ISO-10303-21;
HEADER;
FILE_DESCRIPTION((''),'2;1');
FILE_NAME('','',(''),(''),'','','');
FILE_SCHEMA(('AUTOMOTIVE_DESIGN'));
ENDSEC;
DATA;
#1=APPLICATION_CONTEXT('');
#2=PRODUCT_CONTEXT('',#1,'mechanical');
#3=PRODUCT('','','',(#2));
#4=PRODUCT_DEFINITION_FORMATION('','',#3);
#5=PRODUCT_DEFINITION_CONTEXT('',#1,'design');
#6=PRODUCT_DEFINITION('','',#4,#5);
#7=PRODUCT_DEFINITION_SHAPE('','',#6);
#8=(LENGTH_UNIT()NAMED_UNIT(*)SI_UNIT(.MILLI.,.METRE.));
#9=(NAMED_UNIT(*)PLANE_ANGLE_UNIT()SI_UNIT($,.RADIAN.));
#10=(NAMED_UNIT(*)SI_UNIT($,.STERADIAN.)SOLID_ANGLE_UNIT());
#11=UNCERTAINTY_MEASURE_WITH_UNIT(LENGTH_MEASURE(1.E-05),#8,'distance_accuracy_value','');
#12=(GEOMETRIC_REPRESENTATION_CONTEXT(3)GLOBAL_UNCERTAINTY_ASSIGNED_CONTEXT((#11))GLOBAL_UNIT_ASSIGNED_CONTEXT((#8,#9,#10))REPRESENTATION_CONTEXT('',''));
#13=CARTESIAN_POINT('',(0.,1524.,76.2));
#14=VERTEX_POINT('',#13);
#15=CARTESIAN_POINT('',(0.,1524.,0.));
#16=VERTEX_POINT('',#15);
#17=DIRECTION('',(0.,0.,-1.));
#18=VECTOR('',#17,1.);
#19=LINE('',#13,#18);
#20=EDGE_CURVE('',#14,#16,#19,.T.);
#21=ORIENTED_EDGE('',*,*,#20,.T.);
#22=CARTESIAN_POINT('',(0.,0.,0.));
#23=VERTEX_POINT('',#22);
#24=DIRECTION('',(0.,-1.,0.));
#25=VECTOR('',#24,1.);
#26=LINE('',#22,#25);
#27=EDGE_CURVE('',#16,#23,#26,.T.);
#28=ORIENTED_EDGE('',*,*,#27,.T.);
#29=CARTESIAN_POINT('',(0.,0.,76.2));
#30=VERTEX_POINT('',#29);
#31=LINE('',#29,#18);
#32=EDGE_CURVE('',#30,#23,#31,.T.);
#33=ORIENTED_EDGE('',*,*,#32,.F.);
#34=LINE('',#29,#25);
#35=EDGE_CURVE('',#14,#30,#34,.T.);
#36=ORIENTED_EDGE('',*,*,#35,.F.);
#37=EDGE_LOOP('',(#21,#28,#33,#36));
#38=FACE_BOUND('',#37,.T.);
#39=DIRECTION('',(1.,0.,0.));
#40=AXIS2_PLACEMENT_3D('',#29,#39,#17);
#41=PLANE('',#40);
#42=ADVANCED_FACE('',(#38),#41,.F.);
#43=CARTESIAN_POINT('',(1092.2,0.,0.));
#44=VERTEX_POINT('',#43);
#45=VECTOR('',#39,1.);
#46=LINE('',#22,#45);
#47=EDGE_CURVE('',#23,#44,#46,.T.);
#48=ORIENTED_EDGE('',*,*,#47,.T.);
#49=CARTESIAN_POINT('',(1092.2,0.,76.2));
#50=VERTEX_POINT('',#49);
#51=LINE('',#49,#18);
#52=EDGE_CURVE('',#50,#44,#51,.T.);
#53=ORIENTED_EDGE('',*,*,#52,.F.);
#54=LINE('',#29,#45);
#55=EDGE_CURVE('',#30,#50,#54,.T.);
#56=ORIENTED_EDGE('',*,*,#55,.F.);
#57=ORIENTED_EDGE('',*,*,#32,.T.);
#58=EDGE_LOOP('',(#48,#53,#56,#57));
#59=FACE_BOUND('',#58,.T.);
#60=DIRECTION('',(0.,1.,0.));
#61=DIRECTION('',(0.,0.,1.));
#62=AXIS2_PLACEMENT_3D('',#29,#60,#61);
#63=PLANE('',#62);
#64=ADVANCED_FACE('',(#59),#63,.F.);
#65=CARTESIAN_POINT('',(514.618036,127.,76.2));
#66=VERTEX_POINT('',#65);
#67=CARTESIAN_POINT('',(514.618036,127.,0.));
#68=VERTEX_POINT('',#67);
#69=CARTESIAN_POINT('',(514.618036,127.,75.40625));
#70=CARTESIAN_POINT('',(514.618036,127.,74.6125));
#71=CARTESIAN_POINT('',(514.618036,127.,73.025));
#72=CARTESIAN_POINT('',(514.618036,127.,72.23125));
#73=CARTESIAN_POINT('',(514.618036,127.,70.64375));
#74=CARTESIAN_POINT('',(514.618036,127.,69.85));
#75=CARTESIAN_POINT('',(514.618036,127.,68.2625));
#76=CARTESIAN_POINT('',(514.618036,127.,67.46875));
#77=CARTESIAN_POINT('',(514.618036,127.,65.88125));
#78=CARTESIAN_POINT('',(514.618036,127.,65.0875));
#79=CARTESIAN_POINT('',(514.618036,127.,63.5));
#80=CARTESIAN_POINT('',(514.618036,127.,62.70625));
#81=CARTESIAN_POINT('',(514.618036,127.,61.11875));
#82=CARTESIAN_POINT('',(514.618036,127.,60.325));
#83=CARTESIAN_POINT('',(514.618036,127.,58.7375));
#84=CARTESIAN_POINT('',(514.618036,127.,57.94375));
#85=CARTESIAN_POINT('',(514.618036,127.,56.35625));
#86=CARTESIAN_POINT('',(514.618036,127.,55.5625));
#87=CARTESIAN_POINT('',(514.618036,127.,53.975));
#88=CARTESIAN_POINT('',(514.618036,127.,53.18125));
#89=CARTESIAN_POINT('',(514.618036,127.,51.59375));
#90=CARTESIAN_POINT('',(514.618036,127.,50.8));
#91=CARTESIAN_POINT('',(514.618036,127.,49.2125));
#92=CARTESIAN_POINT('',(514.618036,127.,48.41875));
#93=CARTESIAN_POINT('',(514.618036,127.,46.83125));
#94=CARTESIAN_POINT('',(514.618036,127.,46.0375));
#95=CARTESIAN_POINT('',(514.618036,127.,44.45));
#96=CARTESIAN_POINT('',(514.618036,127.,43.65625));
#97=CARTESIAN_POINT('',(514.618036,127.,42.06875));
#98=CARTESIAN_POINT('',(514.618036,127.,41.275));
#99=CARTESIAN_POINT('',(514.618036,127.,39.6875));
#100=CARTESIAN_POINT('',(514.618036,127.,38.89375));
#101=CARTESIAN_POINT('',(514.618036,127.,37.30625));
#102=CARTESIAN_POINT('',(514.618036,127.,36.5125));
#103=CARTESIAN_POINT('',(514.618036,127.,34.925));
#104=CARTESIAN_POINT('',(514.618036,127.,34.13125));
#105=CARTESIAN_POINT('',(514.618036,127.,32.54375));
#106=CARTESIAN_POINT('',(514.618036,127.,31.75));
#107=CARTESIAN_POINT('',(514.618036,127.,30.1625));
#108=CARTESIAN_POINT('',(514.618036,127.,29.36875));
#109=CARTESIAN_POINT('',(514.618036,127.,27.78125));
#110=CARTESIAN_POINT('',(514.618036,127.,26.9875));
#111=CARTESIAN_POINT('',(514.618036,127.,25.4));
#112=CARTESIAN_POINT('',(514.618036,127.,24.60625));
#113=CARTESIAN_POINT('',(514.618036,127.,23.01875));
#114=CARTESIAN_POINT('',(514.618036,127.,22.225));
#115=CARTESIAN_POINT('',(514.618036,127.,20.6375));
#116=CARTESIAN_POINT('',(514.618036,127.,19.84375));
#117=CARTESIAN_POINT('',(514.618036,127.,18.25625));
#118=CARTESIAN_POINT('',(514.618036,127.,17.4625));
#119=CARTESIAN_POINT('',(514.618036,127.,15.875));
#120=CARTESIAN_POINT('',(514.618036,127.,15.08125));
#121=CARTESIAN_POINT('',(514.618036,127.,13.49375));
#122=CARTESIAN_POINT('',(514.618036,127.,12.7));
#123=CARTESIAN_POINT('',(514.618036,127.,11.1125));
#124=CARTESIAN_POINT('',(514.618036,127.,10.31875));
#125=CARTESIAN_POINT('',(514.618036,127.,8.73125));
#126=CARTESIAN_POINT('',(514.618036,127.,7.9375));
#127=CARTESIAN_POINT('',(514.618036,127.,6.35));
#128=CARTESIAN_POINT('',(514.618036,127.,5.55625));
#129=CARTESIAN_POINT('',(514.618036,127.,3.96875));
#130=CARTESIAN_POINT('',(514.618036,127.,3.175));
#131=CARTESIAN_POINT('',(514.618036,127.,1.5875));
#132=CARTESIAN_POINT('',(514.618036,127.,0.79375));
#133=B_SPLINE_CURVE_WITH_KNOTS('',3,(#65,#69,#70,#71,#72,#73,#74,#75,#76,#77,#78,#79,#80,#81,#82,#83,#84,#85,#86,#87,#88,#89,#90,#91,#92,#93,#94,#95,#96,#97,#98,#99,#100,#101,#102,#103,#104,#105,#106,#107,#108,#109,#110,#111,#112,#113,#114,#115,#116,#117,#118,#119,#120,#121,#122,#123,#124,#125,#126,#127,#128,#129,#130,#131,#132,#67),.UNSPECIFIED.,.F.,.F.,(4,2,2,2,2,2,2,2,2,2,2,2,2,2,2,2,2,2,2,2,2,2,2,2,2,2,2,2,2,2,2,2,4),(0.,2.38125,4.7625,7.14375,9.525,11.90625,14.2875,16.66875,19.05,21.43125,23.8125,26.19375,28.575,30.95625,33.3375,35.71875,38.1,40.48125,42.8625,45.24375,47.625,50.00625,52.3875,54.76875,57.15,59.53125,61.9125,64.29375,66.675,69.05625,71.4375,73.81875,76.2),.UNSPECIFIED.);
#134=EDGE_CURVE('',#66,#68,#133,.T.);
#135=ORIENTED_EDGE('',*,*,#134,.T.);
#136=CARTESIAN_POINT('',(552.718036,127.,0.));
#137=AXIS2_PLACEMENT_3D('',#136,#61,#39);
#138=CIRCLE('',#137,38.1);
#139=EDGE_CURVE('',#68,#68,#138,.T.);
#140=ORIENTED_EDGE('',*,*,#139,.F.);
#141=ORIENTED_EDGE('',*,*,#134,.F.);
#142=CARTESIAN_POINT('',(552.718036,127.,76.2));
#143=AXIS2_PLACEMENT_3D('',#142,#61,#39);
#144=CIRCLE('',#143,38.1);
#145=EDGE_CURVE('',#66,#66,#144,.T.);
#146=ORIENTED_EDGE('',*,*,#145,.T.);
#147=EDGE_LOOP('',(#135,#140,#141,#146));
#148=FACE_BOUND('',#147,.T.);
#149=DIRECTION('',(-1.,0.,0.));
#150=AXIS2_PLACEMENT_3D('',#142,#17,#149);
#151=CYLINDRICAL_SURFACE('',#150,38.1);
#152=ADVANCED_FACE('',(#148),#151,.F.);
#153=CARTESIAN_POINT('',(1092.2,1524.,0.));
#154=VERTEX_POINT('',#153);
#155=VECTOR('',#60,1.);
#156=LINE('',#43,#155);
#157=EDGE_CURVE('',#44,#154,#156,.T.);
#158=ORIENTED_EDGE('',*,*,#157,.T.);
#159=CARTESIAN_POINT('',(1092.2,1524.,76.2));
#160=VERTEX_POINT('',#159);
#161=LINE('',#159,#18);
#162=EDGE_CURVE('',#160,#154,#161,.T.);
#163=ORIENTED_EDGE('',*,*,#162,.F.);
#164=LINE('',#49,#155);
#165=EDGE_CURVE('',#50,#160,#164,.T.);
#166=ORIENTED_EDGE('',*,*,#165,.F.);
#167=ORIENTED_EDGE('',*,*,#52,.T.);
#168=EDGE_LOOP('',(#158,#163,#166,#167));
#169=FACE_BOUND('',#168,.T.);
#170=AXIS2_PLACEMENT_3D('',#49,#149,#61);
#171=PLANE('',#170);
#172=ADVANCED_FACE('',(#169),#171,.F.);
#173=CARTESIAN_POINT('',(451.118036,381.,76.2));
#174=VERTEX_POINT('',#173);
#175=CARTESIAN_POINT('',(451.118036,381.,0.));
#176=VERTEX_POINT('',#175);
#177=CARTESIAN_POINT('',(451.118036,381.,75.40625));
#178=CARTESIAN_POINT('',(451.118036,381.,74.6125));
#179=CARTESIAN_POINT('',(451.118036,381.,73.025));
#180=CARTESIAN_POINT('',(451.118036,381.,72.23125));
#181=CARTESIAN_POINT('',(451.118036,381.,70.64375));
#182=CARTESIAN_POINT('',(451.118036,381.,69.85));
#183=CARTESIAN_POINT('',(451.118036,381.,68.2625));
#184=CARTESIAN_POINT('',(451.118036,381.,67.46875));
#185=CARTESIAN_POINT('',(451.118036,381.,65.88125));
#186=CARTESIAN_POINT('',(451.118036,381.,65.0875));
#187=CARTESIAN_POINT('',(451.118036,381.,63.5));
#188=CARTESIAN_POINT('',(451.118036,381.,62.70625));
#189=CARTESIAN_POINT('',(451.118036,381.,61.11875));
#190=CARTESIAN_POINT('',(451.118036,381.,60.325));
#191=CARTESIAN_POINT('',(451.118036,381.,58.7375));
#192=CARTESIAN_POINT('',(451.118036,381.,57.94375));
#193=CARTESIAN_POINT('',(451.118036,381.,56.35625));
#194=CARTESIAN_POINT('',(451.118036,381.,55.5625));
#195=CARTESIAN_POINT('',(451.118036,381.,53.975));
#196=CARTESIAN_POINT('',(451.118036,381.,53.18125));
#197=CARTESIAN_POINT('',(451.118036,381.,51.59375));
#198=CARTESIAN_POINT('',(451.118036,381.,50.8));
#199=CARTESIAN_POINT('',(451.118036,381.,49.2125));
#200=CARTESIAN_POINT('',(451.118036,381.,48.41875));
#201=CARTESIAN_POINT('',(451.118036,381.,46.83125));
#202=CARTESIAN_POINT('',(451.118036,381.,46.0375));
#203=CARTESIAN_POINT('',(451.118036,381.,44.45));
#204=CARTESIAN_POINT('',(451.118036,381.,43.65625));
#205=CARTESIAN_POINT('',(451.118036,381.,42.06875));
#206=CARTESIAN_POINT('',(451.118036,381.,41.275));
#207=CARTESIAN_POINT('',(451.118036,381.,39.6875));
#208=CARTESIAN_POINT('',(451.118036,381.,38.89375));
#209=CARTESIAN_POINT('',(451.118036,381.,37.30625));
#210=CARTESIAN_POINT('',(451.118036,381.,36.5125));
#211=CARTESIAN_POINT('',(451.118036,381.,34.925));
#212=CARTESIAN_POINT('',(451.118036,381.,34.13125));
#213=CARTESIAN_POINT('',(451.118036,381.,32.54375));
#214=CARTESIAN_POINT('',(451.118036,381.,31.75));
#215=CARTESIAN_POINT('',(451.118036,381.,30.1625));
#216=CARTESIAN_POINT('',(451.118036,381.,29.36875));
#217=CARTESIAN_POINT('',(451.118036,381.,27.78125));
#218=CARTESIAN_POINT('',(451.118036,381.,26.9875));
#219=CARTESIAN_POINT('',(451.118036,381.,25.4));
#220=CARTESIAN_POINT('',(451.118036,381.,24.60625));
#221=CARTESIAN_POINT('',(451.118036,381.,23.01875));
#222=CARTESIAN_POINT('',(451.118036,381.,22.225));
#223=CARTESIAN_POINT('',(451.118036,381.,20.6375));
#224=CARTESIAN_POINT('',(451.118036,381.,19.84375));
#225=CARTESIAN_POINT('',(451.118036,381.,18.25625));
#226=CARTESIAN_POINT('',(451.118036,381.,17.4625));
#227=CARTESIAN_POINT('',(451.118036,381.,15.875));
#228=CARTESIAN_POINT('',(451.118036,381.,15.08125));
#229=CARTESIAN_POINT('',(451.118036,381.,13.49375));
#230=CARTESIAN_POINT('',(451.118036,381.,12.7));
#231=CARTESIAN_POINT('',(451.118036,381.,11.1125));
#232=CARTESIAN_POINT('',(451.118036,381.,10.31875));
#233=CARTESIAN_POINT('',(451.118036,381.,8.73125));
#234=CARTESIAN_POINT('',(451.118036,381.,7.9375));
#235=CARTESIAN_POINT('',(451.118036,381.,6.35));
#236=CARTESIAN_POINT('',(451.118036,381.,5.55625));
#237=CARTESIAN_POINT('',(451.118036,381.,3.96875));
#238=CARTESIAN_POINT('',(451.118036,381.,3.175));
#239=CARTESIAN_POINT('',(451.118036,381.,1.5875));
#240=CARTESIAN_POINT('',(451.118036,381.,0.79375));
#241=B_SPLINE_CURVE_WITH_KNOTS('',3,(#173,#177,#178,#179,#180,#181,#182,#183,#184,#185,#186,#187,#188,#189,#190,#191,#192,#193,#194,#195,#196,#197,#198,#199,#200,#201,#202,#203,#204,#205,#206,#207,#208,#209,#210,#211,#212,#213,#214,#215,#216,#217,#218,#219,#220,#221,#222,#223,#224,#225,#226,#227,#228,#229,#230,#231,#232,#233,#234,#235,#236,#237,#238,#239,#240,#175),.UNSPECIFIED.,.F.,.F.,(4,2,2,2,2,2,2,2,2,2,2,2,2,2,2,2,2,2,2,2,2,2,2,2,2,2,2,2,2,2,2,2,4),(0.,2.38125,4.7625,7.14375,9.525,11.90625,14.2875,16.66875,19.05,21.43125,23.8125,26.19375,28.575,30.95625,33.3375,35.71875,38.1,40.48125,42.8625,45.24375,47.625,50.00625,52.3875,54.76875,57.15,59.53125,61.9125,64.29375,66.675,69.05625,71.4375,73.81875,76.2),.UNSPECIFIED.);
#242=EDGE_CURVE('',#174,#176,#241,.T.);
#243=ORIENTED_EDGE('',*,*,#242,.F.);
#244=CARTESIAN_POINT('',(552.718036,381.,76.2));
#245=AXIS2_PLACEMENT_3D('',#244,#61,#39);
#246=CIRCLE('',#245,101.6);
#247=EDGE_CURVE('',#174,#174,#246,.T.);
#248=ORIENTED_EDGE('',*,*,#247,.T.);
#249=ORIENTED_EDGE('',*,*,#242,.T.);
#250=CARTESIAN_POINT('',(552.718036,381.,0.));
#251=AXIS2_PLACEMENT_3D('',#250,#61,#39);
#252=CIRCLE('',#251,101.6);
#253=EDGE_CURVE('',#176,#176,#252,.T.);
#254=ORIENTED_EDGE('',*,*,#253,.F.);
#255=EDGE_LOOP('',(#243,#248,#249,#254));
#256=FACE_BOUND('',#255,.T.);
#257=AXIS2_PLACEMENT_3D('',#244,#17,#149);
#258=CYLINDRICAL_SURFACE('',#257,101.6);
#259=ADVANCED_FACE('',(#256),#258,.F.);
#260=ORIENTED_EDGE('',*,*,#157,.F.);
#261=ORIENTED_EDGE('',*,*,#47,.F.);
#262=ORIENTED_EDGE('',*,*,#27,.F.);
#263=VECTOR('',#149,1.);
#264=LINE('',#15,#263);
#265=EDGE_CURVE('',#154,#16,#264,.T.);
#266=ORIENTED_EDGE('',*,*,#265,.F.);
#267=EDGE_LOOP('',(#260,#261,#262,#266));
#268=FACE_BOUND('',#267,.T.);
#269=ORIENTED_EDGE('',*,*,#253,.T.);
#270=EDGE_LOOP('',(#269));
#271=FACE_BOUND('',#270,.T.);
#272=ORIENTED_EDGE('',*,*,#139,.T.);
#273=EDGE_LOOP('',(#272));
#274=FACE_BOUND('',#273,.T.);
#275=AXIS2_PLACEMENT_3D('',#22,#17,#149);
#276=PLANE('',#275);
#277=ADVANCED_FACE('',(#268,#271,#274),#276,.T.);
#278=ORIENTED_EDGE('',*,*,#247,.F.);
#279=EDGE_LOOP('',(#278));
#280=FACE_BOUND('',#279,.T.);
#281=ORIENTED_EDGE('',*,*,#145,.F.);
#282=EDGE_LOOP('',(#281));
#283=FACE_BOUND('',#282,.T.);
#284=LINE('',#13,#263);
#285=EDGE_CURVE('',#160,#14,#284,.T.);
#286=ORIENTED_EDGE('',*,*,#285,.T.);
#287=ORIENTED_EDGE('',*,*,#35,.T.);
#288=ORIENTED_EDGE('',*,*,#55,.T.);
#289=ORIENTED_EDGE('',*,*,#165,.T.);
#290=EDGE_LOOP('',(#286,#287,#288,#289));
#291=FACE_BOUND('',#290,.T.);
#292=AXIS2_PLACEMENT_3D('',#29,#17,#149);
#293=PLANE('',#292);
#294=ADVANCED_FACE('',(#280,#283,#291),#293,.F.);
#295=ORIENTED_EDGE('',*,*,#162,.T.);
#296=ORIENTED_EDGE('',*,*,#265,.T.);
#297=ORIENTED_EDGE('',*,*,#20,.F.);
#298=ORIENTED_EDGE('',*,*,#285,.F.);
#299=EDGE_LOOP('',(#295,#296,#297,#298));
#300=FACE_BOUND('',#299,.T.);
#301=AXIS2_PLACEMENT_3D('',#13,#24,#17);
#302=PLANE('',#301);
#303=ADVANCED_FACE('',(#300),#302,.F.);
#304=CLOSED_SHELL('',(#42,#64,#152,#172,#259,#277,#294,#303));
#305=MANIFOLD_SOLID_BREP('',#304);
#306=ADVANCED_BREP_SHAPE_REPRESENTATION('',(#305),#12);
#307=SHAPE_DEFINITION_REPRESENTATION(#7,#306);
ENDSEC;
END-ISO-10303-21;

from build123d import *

# Parameters (mm, degrees)
SKETCH1_W           = 1092.2
SKETCH1_H           = 1524
SKETCH1_R           = 101.6
SKETCH1_R_2         = 38.1
BOSS_EXTRUDE1_DEPTH = 76.2


with BuildPart() as part:
    # Sketch1 → Boss-Extrude1 (new body)
    with BuildSketch(Plane.XY):
        with Locations((546.1, 762)):
            Rectangle(SKETCH1_W, SKETCH1_H)
        with Locations(Location((552.718036359, 381, 0), (0, 0, 180))):
            Circle(SKETCH1_R, mode=Mode.SUBTRACT)
        with Locations(Location((552.718036359, 127, 0), (0, 0, 180))):
            Circle(SKETCH1_R_2, mode=Mode.SUBTRACT)
    extrude(amount=BOSS_EXTRUDE1_DEPTH)


solid = part.part
